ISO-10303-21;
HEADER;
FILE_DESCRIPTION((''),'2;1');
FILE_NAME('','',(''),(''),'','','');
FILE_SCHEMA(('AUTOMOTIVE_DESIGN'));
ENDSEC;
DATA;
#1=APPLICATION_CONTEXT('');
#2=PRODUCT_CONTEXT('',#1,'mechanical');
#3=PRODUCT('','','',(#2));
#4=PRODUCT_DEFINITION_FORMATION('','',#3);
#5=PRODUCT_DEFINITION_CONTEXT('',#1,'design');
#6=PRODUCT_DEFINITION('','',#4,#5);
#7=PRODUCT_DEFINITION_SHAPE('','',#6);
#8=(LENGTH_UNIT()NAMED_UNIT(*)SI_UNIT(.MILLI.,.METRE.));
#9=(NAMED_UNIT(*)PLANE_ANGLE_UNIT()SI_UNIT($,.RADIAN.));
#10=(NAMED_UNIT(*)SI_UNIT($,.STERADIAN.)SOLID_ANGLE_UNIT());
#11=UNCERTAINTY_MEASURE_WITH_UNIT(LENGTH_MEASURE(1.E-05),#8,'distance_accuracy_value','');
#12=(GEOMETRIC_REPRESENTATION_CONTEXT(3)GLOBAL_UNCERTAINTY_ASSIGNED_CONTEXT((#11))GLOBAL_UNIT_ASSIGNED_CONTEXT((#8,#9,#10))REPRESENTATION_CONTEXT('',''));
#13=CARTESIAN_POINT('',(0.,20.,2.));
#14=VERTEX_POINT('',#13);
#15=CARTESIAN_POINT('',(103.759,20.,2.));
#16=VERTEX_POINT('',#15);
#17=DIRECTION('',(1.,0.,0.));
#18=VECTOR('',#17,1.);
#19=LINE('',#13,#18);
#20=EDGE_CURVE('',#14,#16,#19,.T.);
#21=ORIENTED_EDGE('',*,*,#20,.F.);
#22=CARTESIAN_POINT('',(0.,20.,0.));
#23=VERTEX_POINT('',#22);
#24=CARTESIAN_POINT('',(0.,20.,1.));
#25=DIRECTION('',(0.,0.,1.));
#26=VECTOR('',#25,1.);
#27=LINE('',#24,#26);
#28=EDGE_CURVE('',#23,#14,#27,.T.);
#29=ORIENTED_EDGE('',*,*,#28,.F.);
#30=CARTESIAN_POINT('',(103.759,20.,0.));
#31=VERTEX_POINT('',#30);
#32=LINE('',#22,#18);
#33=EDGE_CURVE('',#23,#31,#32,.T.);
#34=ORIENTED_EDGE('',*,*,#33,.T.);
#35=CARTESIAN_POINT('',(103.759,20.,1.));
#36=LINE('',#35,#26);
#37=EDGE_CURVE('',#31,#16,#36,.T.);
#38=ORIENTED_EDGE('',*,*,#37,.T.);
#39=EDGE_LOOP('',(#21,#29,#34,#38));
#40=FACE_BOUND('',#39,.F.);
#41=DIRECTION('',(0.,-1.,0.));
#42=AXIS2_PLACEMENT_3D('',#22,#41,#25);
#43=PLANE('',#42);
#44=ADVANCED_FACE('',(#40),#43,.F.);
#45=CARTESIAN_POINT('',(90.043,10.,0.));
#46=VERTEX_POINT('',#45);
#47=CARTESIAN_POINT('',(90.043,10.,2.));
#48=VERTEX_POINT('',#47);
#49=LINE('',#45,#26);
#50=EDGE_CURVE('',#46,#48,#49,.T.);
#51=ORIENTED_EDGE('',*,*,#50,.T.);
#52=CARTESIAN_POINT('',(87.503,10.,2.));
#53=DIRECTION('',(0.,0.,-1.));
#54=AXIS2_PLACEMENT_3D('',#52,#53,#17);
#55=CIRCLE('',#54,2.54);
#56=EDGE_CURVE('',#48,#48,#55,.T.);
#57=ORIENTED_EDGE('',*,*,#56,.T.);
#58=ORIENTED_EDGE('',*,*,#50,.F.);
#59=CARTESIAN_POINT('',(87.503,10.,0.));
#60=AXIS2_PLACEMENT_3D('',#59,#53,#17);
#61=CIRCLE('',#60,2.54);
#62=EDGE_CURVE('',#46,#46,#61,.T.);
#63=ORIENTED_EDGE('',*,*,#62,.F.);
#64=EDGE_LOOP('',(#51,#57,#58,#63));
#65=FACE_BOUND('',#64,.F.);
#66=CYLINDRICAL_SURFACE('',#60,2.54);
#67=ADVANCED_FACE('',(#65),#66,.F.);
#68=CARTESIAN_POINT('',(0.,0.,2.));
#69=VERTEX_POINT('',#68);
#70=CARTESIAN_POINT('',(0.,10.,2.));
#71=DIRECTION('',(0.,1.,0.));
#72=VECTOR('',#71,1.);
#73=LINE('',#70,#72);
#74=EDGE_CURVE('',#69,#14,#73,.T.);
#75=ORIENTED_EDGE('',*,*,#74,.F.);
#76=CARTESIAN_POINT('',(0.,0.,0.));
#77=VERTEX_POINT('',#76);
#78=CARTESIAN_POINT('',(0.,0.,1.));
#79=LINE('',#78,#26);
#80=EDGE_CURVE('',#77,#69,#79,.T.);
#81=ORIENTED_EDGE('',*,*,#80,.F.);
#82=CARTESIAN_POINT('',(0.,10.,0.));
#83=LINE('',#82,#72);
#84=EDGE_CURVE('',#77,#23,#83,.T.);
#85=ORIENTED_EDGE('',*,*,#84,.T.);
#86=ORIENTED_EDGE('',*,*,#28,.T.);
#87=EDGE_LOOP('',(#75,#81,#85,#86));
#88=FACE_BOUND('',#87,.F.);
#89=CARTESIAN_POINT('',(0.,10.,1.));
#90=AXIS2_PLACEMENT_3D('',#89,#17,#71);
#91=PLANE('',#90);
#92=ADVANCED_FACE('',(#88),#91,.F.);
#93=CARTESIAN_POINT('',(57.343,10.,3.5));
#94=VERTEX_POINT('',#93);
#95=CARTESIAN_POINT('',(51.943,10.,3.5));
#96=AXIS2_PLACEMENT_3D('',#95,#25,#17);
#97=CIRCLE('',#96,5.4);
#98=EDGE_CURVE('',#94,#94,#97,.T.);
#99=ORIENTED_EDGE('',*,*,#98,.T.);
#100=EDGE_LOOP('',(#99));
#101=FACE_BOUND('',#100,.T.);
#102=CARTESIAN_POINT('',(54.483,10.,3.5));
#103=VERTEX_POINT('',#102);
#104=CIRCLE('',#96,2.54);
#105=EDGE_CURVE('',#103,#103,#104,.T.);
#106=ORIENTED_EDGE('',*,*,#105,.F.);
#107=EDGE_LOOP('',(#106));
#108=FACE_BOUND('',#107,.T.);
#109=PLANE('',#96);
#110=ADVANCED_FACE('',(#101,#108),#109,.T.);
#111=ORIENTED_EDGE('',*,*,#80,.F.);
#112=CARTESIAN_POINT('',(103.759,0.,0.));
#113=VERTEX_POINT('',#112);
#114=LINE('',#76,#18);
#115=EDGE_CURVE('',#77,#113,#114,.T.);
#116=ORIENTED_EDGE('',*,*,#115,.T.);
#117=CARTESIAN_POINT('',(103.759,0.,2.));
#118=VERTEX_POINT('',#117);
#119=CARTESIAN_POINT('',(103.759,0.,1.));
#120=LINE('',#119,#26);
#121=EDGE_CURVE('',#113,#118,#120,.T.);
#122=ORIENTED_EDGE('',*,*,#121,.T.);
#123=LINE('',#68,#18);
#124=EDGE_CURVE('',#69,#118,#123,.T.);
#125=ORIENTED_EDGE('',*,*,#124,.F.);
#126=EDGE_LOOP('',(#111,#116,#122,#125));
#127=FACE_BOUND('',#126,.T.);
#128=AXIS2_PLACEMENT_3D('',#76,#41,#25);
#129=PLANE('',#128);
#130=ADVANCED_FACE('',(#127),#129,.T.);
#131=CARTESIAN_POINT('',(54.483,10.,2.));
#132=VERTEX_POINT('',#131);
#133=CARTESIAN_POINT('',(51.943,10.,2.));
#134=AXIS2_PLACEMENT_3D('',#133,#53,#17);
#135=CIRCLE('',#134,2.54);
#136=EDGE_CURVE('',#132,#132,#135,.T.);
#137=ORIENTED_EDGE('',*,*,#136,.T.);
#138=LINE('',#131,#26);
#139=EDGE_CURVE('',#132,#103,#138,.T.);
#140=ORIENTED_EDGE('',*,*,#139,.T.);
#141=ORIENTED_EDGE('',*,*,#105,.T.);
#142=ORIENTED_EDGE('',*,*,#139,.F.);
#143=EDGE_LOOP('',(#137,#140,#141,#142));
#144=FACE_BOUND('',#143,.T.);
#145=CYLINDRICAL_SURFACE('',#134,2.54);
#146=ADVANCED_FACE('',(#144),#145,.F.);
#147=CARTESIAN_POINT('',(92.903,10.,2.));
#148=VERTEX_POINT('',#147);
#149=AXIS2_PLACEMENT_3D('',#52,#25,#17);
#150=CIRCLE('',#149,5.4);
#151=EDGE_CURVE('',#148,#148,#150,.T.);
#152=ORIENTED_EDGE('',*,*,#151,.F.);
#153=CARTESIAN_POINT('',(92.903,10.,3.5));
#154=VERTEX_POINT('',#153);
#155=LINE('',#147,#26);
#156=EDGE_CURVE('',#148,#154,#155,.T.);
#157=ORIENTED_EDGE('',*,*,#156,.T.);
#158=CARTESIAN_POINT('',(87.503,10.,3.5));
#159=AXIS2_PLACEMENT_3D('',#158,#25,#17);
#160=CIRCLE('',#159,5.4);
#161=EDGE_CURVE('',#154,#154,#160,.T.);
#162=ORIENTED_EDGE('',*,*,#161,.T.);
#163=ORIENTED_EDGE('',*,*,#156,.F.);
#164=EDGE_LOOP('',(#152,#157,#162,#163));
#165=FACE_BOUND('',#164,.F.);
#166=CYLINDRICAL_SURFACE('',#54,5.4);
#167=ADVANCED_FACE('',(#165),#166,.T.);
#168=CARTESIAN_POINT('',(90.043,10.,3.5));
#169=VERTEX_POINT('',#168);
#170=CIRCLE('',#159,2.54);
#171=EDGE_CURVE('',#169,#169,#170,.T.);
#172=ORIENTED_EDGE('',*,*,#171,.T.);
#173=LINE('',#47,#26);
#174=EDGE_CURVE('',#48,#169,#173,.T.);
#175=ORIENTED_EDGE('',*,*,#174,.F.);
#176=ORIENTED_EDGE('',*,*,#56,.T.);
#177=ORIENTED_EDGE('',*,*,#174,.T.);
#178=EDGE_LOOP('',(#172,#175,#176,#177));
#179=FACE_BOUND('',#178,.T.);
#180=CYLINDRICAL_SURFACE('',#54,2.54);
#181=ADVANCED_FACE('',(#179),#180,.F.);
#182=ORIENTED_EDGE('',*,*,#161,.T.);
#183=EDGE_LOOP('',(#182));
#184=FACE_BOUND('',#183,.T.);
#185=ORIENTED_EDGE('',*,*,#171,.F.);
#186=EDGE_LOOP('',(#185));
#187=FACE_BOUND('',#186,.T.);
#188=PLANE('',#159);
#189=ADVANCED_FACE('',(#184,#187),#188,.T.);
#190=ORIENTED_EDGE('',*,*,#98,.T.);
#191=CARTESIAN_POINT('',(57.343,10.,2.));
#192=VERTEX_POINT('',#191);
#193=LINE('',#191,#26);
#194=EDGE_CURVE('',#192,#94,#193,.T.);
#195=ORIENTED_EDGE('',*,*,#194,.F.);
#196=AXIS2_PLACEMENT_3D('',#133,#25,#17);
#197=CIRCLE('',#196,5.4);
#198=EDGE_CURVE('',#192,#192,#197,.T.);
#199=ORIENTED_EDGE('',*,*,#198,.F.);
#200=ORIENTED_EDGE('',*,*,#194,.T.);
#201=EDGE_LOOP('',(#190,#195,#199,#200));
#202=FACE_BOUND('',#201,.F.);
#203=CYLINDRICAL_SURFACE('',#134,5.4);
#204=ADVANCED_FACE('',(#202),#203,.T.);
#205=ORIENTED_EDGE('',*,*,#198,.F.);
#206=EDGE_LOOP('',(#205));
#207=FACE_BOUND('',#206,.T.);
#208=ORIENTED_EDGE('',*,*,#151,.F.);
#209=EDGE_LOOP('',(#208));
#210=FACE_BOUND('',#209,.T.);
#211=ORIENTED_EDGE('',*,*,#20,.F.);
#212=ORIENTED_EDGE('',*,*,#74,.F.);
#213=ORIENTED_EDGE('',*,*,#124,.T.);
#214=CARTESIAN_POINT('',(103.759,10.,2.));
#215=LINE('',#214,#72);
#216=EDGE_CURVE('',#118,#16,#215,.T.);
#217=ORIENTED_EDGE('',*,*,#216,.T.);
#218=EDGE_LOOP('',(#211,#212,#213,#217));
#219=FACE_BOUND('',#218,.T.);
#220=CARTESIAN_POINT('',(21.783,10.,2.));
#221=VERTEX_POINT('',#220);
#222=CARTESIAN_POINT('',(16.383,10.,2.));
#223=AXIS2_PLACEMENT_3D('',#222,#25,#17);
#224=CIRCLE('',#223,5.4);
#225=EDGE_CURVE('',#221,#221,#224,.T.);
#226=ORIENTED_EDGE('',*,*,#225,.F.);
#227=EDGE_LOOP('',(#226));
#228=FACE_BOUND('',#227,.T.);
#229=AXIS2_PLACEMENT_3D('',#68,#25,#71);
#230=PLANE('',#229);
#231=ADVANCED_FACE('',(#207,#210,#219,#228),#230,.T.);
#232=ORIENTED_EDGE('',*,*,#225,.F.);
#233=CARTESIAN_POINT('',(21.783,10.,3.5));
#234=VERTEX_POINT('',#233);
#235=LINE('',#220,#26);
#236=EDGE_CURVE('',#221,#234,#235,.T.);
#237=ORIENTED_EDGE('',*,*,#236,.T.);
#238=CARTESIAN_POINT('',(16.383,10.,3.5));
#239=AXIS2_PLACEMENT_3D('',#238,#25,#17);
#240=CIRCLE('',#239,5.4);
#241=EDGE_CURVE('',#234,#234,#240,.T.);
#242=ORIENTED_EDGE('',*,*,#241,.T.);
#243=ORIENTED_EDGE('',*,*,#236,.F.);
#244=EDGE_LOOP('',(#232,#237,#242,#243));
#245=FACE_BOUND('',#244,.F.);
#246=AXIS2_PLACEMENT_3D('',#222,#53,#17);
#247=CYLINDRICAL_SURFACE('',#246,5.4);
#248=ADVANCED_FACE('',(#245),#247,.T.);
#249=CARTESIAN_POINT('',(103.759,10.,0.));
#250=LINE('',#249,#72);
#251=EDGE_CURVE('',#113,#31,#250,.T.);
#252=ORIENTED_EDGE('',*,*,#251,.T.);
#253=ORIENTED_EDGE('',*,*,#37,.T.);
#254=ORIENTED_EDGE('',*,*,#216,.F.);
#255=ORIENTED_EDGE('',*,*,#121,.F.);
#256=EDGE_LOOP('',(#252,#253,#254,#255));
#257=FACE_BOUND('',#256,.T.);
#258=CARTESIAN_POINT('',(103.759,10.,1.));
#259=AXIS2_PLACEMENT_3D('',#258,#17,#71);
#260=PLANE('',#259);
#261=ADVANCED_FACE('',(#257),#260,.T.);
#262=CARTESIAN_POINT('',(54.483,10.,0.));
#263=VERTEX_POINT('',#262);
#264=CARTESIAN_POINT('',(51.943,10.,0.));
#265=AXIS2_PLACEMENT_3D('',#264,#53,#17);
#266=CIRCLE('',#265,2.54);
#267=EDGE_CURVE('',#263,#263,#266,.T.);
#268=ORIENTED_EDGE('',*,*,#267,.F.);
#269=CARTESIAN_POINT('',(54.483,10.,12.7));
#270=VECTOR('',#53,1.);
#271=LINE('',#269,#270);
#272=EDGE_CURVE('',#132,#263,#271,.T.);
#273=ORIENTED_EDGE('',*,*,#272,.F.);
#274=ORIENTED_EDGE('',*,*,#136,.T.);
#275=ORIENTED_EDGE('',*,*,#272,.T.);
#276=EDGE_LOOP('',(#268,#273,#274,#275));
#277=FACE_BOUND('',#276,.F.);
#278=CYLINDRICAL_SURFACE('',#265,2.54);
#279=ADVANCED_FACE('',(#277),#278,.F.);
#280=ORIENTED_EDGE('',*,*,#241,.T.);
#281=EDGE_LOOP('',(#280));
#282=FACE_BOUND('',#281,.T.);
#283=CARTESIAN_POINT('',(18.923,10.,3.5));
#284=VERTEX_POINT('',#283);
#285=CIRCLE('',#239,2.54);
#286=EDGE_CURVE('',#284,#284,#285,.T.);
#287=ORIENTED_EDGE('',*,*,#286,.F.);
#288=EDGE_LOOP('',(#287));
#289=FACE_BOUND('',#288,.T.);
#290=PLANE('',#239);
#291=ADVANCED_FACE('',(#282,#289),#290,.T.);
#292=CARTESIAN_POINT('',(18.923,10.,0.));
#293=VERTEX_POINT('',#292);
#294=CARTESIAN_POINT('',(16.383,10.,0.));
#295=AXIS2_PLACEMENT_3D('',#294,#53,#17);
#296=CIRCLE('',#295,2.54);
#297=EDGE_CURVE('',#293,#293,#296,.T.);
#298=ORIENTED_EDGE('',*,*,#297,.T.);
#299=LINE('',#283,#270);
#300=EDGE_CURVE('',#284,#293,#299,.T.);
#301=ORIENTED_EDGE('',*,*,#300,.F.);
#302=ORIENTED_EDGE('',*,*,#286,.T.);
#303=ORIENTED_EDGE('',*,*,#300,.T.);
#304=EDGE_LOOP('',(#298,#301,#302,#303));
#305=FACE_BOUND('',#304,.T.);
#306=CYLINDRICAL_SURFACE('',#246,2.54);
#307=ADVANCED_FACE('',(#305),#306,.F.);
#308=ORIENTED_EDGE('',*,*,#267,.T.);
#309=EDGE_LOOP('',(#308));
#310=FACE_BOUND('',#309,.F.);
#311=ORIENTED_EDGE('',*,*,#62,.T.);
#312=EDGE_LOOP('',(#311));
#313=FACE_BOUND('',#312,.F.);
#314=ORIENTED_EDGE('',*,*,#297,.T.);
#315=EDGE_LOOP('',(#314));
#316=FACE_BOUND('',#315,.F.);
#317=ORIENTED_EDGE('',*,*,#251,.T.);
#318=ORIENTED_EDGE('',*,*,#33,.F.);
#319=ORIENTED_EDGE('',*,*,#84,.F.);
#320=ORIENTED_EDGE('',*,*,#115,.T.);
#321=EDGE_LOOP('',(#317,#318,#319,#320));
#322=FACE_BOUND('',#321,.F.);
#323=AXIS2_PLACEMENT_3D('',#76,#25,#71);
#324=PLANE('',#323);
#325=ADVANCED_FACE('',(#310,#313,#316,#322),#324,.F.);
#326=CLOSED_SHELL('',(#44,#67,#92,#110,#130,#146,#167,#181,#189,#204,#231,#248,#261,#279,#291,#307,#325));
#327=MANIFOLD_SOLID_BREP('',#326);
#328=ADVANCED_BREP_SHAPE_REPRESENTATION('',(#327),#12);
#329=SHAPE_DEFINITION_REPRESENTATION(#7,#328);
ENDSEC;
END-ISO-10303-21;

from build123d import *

# Parameters (mm, degrees)
F0_W     = 20
F0_H     = 2
F1_DEPTH = 103.759
F2_R     = 2.54
F3_DEPTH = 12.7
F4_R     = 5.4
F4_R_2   = 2.54
F5_DEPTH = 1.5


with BuildPart() as f1:
    # F0 (on Right) → F1 (new body)
    with BuildSketch(Plane.YZ):
        with Locations((10, 1)):
            Rectangle(F0_W, F0_H)
    extrude(amount=F1_DEPTH)

    # F2 (on face) → F3 (cut, symmetric)
    with BuildSketch(Plane(origin=(0, 0, 0), x_dir=(1, 0, 0), z_dir=(0, 0, -1))):
        with Locations((87.503, -10)):
            Circle(F2_R)
        with Locations((16.383, -10)):
            Circle(F2_R)
        with Locations((51.943, -10)):
            Circle(F2_R)
    extrude(amount=F3_DEPTH, both=True, mode=Mode.SUBTRACT)

    # F4 (on face) → F5 (join)
    with BuildSketch(Plane.XY.offset(2)):
        with Locations((16.383, 10)):
            Circle(F4_R)
        with Locations((16.383, 10)):
            Circle(F4_R_2, mode=Mode.SUBTRACT)
        with Locations((51.943, 10)):
            Circle(F4_R)
        with Locations((51.943, 10)):
            Circle(F4_R_2, mode=Mode.SUBTRACT)
        with Locations((87.503, 10)):
            Circle(F4_R)
        with Locations((87.503, 10)):
            Circle(F4_R_2, mode=Mode.SUBTRACT)
    extrude(amount=F5_DEPTH)


solid = f1.part
